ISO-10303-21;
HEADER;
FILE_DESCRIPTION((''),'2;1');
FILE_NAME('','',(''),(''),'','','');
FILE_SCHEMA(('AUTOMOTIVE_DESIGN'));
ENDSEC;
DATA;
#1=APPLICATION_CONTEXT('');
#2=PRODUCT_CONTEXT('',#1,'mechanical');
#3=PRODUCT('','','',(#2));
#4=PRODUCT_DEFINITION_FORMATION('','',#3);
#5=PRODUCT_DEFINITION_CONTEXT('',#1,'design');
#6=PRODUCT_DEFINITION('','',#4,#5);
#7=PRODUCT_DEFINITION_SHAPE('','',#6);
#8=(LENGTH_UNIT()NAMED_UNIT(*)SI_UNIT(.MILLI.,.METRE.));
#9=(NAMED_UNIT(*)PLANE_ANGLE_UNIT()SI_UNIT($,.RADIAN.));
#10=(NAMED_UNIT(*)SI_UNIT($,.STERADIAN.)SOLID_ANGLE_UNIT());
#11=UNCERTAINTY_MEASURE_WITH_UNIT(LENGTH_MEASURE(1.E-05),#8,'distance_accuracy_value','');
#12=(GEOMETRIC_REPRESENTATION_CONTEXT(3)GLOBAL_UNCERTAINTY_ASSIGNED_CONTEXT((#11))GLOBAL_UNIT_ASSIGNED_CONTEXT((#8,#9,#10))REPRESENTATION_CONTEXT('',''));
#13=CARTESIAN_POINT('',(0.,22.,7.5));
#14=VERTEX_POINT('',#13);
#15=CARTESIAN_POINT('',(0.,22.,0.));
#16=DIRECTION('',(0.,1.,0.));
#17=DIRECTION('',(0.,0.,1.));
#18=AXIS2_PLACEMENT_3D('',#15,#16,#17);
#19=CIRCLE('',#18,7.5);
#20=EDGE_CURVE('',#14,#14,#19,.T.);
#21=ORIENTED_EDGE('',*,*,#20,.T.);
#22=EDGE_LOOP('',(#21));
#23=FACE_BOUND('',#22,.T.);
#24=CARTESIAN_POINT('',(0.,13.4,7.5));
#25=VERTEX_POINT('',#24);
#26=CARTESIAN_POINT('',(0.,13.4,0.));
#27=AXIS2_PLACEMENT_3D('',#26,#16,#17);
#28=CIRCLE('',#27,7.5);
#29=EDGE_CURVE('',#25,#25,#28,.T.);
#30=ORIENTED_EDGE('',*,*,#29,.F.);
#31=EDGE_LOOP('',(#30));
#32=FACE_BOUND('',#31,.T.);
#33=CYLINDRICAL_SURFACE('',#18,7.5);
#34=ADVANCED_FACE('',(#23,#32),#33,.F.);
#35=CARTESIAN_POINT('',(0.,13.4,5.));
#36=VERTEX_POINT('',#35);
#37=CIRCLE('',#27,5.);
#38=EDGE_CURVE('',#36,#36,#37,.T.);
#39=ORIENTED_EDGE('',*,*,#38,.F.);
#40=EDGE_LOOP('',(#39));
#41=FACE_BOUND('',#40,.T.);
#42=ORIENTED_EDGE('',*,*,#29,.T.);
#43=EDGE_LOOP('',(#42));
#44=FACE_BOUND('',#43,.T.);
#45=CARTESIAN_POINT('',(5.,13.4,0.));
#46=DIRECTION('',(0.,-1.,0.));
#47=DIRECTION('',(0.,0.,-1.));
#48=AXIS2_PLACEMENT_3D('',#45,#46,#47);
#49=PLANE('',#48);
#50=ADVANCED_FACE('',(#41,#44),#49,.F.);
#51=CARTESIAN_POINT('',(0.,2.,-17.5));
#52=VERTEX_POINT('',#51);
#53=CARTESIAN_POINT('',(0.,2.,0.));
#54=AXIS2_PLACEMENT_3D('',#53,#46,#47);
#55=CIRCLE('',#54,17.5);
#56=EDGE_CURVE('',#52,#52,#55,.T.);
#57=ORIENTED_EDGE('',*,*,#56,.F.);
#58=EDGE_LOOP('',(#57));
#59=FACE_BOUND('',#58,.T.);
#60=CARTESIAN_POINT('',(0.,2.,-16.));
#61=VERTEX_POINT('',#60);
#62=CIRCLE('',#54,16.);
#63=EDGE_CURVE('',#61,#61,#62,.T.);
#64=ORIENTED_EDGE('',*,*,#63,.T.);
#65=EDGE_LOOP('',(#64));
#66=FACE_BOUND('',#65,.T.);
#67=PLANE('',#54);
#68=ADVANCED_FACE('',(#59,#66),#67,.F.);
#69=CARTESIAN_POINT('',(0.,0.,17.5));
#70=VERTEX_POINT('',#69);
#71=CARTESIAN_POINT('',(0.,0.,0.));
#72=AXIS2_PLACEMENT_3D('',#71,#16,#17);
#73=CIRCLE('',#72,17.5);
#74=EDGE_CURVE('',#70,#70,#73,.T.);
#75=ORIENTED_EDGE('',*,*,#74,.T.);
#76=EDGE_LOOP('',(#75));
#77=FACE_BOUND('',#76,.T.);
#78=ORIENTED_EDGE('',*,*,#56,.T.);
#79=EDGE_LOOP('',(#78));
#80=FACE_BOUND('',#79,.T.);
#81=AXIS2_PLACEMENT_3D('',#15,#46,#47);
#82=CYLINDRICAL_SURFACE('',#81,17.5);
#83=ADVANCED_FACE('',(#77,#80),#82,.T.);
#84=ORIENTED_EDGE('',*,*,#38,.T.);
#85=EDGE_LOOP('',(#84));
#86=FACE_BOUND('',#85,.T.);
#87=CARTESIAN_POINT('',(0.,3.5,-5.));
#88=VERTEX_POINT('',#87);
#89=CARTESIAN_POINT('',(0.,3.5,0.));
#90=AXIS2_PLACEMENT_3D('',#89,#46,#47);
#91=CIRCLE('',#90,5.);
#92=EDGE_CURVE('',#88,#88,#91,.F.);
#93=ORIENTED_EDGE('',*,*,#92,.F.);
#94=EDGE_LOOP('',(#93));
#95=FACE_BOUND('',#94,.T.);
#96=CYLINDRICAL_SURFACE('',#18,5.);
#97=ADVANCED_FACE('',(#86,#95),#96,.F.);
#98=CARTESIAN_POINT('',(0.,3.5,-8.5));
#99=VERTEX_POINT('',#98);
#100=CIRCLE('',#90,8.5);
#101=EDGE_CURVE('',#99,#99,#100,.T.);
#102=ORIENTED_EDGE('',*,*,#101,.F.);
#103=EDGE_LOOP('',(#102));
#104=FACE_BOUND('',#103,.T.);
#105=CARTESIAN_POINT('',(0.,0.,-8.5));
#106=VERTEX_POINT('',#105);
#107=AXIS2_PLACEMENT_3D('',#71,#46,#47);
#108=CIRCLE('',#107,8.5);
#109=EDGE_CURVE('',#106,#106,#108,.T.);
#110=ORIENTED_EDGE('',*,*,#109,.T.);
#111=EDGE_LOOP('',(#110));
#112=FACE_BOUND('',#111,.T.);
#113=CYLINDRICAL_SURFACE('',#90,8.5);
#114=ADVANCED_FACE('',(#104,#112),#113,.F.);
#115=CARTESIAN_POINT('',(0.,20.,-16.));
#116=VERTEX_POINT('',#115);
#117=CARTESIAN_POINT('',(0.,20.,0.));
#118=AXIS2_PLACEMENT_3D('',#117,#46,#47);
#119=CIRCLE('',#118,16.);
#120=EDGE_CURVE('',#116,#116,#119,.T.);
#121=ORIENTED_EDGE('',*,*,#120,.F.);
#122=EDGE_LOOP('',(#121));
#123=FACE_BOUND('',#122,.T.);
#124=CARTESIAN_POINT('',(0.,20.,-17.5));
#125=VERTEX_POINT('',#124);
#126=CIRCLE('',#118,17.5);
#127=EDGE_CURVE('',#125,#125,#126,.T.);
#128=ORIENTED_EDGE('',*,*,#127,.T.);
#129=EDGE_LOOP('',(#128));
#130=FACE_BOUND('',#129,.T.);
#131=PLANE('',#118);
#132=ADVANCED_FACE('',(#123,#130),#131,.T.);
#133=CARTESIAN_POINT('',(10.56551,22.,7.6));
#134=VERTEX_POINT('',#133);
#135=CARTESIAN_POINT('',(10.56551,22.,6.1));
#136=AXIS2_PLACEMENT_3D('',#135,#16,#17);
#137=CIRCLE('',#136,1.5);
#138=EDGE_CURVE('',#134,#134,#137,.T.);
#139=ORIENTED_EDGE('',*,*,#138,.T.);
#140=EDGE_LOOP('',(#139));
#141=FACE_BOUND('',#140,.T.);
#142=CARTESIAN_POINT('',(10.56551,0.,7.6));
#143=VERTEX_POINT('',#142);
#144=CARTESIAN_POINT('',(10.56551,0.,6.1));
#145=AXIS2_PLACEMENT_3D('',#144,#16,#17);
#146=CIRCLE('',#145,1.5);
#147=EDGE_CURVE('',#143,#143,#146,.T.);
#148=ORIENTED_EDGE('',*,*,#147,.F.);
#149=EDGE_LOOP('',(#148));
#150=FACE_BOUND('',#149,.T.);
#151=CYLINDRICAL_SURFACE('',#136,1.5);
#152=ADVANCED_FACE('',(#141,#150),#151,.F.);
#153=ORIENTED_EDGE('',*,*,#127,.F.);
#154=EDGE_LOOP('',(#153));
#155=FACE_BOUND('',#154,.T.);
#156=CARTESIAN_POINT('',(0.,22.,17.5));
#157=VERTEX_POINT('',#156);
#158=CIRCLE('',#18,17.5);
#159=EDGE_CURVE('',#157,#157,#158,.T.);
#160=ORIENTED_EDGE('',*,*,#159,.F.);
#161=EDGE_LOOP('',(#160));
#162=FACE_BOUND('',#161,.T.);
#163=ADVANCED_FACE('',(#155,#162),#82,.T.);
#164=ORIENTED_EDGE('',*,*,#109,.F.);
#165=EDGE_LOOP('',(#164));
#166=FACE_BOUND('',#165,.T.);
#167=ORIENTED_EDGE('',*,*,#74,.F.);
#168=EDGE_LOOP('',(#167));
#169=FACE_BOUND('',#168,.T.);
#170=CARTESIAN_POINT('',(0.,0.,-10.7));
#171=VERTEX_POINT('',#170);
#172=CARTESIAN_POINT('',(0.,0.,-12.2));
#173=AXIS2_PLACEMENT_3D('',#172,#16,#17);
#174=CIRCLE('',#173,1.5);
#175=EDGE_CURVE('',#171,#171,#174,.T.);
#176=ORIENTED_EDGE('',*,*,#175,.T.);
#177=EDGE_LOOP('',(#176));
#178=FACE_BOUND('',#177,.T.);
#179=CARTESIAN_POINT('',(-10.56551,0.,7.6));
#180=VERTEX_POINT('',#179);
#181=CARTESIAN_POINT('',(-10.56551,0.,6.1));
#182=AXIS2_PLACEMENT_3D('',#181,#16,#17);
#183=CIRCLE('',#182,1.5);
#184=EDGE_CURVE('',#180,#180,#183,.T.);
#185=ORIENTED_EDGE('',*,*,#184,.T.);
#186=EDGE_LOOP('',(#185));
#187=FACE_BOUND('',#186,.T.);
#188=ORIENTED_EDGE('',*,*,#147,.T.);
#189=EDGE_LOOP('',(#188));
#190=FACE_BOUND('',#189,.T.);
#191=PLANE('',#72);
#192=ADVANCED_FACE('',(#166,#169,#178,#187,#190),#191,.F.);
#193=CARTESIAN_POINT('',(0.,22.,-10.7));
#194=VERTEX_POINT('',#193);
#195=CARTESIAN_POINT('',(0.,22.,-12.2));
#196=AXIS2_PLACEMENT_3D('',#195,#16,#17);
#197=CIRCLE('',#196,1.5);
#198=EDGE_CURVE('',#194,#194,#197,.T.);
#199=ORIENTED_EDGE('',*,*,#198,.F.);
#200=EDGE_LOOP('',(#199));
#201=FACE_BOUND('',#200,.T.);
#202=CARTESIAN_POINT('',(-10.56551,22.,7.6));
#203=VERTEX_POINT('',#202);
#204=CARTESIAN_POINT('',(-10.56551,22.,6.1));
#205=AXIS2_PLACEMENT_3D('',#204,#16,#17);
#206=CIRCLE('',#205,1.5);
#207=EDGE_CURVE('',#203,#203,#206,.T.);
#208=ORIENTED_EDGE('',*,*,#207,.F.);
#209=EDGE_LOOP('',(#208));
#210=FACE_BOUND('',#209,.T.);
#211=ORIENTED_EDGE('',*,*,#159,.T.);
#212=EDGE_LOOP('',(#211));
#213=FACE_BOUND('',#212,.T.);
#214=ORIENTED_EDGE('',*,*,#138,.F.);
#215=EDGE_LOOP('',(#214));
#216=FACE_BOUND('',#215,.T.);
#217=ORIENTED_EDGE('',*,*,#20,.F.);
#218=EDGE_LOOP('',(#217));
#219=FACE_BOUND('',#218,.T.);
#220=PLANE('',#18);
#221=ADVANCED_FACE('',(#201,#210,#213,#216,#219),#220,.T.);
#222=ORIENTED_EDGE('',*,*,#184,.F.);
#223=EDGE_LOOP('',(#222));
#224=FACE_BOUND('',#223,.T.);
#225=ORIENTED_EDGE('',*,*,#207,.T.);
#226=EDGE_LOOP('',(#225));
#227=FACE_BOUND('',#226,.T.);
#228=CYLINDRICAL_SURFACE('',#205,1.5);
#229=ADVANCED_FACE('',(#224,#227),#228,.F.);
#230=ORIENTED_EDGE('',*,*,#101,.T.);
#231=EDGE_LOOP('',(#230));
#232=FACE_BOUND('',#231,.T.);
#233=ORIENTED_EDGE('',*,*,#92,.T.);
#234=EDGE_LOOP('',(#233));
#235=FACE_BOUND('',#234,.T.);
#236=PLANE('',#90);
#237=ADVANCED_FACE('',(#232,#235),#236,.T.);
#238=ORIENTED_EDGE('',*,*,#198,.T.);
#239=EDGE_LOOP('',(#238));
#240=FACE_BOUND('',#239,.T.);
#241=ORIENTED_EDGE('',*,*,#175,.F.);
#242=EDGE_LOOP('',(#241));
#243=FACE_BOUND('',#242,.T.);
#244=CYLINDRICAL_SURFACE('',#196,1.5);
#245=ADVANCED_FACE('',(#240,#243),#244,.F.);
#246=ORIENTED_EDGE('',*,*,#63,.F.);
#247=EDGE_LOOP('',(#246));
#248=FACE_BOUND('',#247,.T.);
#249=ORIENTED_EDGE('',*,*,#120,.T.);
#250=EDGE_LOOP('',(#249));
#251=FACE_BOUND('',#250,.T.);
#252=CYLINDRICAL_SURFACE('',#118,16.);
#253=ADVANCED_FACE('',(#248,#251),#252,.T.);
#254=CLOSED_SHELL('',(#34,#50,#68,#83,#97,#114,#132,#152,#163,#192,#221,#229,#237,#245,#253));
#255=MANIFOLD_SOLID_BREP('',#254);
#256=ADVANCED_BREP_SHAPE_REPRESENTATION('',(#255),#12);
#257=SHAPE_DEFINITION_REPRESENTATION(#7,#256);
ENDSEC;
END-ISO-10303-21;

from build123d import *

# Parameters (mm, degrees)
SKETCH1_R                                           = 17.5
BOSS_EXTRUDE1_DEPTH                                 = 22
CBORE_FOR_M8_HEX_SOCKET_HEAD_CAP_SCREW1_D           = 10
CBORE_FOR_M8_HEX_SOCKET_HEAD_CAP_SCREW1_CBORE_D     = 15
CBORE_FOR_M8_HEX_SOCKET_HEAD_CAP_SCREW1_CBORE_DEPTH = 8.6
F_3_0MM_DOWEL_HOLE1_D                               = 3
SKETCH6_R                                           = 8.5
CUT_EXTRUDE1_DEPTH                                  = 3.5
CUT_EXTRUDE2_START                                  = -2
SKETCH7_R                                           = 17.5
SKETCH7_R_2                                         = 16
CUT_EXTRUDE2_DEPTH                                  = 18


with BuildPart() as part:
    # Sketch1 → Boss-Extrude1 (new body)
    with BuildSketch(Plane(origin=(0, 0, 0), x_dir=(1, 0, 0), z_dir=(0, 1, 0))):
        with Locations(Location((0, 0, 0), (0, 0, 270))):
            Circle(SKETCH1_R)
    extrude(amount=BOSS_EXTRUDE1_DEPTH)

    # CBORE for M8 Hex Socket Head Cap Screw1 (through all)
    with Locations(Plane(origin=(0, 22, 0), x_dir=(1, 0, 0), z_dir=(0, 1, 0))):
        with Locations((0, 0)):
            CounterBoreHole(CBORE_FOR_M8_HEX_SOCKET_HEAD_CAP_SCREW1_D / 2, CBORE_FOR_M8_HEX_SOCKET_HEAD_CAP_SCREW1_CBORE_D / 2, CBORE_FOR_M8_HEX_SOCKET_HEAD_CAP_SCREW1_CBORE_DEPTH)

    # Ø3.0mm Dowel Hole1 (through all)
    with Locations(Plane(origin=(0, 22, 0), x_dir=(1, 0, 0), z_dir=(0, 1, 0))):
        with Locations((-10.565509926, -6.1), (0, 12.2), (10.565509926, -6.1)):
            Hole(F_3_0MM_DOWEL_HOLE1_D / 2)

    # Sketch6 → Cut-Extrude1 (cut)
    with BuildSketch(Plane.XZ):
        with Locations(Location((0, 0, 0), (0, 0, 270))):
            Circle(SKETCH6_R)
    extrude(amount=-CUT_EXTRUDE1_DEPTH, mode=Mode.SUBTRACT)

    # Sketch7 → Cut-Extrude2 (cut)
    with BuildSketch(Plane.XZ.offset(CUT_EXTRUDE2_START)):
        with Locations(Location((0, 0, 0), (0, 0, 270))):
            Circle(SKETCH7_R)
        with Locations(Location((0, 0, 0), (0, 0, 270))):
            Circle(SKETCH7_R_2, mode=Mode.SUBTRACT)
    extrude(amount=-CUT_EXTRUDE2_DEPTH, mode=Mode.SUBTRACT)


solid = part.part
